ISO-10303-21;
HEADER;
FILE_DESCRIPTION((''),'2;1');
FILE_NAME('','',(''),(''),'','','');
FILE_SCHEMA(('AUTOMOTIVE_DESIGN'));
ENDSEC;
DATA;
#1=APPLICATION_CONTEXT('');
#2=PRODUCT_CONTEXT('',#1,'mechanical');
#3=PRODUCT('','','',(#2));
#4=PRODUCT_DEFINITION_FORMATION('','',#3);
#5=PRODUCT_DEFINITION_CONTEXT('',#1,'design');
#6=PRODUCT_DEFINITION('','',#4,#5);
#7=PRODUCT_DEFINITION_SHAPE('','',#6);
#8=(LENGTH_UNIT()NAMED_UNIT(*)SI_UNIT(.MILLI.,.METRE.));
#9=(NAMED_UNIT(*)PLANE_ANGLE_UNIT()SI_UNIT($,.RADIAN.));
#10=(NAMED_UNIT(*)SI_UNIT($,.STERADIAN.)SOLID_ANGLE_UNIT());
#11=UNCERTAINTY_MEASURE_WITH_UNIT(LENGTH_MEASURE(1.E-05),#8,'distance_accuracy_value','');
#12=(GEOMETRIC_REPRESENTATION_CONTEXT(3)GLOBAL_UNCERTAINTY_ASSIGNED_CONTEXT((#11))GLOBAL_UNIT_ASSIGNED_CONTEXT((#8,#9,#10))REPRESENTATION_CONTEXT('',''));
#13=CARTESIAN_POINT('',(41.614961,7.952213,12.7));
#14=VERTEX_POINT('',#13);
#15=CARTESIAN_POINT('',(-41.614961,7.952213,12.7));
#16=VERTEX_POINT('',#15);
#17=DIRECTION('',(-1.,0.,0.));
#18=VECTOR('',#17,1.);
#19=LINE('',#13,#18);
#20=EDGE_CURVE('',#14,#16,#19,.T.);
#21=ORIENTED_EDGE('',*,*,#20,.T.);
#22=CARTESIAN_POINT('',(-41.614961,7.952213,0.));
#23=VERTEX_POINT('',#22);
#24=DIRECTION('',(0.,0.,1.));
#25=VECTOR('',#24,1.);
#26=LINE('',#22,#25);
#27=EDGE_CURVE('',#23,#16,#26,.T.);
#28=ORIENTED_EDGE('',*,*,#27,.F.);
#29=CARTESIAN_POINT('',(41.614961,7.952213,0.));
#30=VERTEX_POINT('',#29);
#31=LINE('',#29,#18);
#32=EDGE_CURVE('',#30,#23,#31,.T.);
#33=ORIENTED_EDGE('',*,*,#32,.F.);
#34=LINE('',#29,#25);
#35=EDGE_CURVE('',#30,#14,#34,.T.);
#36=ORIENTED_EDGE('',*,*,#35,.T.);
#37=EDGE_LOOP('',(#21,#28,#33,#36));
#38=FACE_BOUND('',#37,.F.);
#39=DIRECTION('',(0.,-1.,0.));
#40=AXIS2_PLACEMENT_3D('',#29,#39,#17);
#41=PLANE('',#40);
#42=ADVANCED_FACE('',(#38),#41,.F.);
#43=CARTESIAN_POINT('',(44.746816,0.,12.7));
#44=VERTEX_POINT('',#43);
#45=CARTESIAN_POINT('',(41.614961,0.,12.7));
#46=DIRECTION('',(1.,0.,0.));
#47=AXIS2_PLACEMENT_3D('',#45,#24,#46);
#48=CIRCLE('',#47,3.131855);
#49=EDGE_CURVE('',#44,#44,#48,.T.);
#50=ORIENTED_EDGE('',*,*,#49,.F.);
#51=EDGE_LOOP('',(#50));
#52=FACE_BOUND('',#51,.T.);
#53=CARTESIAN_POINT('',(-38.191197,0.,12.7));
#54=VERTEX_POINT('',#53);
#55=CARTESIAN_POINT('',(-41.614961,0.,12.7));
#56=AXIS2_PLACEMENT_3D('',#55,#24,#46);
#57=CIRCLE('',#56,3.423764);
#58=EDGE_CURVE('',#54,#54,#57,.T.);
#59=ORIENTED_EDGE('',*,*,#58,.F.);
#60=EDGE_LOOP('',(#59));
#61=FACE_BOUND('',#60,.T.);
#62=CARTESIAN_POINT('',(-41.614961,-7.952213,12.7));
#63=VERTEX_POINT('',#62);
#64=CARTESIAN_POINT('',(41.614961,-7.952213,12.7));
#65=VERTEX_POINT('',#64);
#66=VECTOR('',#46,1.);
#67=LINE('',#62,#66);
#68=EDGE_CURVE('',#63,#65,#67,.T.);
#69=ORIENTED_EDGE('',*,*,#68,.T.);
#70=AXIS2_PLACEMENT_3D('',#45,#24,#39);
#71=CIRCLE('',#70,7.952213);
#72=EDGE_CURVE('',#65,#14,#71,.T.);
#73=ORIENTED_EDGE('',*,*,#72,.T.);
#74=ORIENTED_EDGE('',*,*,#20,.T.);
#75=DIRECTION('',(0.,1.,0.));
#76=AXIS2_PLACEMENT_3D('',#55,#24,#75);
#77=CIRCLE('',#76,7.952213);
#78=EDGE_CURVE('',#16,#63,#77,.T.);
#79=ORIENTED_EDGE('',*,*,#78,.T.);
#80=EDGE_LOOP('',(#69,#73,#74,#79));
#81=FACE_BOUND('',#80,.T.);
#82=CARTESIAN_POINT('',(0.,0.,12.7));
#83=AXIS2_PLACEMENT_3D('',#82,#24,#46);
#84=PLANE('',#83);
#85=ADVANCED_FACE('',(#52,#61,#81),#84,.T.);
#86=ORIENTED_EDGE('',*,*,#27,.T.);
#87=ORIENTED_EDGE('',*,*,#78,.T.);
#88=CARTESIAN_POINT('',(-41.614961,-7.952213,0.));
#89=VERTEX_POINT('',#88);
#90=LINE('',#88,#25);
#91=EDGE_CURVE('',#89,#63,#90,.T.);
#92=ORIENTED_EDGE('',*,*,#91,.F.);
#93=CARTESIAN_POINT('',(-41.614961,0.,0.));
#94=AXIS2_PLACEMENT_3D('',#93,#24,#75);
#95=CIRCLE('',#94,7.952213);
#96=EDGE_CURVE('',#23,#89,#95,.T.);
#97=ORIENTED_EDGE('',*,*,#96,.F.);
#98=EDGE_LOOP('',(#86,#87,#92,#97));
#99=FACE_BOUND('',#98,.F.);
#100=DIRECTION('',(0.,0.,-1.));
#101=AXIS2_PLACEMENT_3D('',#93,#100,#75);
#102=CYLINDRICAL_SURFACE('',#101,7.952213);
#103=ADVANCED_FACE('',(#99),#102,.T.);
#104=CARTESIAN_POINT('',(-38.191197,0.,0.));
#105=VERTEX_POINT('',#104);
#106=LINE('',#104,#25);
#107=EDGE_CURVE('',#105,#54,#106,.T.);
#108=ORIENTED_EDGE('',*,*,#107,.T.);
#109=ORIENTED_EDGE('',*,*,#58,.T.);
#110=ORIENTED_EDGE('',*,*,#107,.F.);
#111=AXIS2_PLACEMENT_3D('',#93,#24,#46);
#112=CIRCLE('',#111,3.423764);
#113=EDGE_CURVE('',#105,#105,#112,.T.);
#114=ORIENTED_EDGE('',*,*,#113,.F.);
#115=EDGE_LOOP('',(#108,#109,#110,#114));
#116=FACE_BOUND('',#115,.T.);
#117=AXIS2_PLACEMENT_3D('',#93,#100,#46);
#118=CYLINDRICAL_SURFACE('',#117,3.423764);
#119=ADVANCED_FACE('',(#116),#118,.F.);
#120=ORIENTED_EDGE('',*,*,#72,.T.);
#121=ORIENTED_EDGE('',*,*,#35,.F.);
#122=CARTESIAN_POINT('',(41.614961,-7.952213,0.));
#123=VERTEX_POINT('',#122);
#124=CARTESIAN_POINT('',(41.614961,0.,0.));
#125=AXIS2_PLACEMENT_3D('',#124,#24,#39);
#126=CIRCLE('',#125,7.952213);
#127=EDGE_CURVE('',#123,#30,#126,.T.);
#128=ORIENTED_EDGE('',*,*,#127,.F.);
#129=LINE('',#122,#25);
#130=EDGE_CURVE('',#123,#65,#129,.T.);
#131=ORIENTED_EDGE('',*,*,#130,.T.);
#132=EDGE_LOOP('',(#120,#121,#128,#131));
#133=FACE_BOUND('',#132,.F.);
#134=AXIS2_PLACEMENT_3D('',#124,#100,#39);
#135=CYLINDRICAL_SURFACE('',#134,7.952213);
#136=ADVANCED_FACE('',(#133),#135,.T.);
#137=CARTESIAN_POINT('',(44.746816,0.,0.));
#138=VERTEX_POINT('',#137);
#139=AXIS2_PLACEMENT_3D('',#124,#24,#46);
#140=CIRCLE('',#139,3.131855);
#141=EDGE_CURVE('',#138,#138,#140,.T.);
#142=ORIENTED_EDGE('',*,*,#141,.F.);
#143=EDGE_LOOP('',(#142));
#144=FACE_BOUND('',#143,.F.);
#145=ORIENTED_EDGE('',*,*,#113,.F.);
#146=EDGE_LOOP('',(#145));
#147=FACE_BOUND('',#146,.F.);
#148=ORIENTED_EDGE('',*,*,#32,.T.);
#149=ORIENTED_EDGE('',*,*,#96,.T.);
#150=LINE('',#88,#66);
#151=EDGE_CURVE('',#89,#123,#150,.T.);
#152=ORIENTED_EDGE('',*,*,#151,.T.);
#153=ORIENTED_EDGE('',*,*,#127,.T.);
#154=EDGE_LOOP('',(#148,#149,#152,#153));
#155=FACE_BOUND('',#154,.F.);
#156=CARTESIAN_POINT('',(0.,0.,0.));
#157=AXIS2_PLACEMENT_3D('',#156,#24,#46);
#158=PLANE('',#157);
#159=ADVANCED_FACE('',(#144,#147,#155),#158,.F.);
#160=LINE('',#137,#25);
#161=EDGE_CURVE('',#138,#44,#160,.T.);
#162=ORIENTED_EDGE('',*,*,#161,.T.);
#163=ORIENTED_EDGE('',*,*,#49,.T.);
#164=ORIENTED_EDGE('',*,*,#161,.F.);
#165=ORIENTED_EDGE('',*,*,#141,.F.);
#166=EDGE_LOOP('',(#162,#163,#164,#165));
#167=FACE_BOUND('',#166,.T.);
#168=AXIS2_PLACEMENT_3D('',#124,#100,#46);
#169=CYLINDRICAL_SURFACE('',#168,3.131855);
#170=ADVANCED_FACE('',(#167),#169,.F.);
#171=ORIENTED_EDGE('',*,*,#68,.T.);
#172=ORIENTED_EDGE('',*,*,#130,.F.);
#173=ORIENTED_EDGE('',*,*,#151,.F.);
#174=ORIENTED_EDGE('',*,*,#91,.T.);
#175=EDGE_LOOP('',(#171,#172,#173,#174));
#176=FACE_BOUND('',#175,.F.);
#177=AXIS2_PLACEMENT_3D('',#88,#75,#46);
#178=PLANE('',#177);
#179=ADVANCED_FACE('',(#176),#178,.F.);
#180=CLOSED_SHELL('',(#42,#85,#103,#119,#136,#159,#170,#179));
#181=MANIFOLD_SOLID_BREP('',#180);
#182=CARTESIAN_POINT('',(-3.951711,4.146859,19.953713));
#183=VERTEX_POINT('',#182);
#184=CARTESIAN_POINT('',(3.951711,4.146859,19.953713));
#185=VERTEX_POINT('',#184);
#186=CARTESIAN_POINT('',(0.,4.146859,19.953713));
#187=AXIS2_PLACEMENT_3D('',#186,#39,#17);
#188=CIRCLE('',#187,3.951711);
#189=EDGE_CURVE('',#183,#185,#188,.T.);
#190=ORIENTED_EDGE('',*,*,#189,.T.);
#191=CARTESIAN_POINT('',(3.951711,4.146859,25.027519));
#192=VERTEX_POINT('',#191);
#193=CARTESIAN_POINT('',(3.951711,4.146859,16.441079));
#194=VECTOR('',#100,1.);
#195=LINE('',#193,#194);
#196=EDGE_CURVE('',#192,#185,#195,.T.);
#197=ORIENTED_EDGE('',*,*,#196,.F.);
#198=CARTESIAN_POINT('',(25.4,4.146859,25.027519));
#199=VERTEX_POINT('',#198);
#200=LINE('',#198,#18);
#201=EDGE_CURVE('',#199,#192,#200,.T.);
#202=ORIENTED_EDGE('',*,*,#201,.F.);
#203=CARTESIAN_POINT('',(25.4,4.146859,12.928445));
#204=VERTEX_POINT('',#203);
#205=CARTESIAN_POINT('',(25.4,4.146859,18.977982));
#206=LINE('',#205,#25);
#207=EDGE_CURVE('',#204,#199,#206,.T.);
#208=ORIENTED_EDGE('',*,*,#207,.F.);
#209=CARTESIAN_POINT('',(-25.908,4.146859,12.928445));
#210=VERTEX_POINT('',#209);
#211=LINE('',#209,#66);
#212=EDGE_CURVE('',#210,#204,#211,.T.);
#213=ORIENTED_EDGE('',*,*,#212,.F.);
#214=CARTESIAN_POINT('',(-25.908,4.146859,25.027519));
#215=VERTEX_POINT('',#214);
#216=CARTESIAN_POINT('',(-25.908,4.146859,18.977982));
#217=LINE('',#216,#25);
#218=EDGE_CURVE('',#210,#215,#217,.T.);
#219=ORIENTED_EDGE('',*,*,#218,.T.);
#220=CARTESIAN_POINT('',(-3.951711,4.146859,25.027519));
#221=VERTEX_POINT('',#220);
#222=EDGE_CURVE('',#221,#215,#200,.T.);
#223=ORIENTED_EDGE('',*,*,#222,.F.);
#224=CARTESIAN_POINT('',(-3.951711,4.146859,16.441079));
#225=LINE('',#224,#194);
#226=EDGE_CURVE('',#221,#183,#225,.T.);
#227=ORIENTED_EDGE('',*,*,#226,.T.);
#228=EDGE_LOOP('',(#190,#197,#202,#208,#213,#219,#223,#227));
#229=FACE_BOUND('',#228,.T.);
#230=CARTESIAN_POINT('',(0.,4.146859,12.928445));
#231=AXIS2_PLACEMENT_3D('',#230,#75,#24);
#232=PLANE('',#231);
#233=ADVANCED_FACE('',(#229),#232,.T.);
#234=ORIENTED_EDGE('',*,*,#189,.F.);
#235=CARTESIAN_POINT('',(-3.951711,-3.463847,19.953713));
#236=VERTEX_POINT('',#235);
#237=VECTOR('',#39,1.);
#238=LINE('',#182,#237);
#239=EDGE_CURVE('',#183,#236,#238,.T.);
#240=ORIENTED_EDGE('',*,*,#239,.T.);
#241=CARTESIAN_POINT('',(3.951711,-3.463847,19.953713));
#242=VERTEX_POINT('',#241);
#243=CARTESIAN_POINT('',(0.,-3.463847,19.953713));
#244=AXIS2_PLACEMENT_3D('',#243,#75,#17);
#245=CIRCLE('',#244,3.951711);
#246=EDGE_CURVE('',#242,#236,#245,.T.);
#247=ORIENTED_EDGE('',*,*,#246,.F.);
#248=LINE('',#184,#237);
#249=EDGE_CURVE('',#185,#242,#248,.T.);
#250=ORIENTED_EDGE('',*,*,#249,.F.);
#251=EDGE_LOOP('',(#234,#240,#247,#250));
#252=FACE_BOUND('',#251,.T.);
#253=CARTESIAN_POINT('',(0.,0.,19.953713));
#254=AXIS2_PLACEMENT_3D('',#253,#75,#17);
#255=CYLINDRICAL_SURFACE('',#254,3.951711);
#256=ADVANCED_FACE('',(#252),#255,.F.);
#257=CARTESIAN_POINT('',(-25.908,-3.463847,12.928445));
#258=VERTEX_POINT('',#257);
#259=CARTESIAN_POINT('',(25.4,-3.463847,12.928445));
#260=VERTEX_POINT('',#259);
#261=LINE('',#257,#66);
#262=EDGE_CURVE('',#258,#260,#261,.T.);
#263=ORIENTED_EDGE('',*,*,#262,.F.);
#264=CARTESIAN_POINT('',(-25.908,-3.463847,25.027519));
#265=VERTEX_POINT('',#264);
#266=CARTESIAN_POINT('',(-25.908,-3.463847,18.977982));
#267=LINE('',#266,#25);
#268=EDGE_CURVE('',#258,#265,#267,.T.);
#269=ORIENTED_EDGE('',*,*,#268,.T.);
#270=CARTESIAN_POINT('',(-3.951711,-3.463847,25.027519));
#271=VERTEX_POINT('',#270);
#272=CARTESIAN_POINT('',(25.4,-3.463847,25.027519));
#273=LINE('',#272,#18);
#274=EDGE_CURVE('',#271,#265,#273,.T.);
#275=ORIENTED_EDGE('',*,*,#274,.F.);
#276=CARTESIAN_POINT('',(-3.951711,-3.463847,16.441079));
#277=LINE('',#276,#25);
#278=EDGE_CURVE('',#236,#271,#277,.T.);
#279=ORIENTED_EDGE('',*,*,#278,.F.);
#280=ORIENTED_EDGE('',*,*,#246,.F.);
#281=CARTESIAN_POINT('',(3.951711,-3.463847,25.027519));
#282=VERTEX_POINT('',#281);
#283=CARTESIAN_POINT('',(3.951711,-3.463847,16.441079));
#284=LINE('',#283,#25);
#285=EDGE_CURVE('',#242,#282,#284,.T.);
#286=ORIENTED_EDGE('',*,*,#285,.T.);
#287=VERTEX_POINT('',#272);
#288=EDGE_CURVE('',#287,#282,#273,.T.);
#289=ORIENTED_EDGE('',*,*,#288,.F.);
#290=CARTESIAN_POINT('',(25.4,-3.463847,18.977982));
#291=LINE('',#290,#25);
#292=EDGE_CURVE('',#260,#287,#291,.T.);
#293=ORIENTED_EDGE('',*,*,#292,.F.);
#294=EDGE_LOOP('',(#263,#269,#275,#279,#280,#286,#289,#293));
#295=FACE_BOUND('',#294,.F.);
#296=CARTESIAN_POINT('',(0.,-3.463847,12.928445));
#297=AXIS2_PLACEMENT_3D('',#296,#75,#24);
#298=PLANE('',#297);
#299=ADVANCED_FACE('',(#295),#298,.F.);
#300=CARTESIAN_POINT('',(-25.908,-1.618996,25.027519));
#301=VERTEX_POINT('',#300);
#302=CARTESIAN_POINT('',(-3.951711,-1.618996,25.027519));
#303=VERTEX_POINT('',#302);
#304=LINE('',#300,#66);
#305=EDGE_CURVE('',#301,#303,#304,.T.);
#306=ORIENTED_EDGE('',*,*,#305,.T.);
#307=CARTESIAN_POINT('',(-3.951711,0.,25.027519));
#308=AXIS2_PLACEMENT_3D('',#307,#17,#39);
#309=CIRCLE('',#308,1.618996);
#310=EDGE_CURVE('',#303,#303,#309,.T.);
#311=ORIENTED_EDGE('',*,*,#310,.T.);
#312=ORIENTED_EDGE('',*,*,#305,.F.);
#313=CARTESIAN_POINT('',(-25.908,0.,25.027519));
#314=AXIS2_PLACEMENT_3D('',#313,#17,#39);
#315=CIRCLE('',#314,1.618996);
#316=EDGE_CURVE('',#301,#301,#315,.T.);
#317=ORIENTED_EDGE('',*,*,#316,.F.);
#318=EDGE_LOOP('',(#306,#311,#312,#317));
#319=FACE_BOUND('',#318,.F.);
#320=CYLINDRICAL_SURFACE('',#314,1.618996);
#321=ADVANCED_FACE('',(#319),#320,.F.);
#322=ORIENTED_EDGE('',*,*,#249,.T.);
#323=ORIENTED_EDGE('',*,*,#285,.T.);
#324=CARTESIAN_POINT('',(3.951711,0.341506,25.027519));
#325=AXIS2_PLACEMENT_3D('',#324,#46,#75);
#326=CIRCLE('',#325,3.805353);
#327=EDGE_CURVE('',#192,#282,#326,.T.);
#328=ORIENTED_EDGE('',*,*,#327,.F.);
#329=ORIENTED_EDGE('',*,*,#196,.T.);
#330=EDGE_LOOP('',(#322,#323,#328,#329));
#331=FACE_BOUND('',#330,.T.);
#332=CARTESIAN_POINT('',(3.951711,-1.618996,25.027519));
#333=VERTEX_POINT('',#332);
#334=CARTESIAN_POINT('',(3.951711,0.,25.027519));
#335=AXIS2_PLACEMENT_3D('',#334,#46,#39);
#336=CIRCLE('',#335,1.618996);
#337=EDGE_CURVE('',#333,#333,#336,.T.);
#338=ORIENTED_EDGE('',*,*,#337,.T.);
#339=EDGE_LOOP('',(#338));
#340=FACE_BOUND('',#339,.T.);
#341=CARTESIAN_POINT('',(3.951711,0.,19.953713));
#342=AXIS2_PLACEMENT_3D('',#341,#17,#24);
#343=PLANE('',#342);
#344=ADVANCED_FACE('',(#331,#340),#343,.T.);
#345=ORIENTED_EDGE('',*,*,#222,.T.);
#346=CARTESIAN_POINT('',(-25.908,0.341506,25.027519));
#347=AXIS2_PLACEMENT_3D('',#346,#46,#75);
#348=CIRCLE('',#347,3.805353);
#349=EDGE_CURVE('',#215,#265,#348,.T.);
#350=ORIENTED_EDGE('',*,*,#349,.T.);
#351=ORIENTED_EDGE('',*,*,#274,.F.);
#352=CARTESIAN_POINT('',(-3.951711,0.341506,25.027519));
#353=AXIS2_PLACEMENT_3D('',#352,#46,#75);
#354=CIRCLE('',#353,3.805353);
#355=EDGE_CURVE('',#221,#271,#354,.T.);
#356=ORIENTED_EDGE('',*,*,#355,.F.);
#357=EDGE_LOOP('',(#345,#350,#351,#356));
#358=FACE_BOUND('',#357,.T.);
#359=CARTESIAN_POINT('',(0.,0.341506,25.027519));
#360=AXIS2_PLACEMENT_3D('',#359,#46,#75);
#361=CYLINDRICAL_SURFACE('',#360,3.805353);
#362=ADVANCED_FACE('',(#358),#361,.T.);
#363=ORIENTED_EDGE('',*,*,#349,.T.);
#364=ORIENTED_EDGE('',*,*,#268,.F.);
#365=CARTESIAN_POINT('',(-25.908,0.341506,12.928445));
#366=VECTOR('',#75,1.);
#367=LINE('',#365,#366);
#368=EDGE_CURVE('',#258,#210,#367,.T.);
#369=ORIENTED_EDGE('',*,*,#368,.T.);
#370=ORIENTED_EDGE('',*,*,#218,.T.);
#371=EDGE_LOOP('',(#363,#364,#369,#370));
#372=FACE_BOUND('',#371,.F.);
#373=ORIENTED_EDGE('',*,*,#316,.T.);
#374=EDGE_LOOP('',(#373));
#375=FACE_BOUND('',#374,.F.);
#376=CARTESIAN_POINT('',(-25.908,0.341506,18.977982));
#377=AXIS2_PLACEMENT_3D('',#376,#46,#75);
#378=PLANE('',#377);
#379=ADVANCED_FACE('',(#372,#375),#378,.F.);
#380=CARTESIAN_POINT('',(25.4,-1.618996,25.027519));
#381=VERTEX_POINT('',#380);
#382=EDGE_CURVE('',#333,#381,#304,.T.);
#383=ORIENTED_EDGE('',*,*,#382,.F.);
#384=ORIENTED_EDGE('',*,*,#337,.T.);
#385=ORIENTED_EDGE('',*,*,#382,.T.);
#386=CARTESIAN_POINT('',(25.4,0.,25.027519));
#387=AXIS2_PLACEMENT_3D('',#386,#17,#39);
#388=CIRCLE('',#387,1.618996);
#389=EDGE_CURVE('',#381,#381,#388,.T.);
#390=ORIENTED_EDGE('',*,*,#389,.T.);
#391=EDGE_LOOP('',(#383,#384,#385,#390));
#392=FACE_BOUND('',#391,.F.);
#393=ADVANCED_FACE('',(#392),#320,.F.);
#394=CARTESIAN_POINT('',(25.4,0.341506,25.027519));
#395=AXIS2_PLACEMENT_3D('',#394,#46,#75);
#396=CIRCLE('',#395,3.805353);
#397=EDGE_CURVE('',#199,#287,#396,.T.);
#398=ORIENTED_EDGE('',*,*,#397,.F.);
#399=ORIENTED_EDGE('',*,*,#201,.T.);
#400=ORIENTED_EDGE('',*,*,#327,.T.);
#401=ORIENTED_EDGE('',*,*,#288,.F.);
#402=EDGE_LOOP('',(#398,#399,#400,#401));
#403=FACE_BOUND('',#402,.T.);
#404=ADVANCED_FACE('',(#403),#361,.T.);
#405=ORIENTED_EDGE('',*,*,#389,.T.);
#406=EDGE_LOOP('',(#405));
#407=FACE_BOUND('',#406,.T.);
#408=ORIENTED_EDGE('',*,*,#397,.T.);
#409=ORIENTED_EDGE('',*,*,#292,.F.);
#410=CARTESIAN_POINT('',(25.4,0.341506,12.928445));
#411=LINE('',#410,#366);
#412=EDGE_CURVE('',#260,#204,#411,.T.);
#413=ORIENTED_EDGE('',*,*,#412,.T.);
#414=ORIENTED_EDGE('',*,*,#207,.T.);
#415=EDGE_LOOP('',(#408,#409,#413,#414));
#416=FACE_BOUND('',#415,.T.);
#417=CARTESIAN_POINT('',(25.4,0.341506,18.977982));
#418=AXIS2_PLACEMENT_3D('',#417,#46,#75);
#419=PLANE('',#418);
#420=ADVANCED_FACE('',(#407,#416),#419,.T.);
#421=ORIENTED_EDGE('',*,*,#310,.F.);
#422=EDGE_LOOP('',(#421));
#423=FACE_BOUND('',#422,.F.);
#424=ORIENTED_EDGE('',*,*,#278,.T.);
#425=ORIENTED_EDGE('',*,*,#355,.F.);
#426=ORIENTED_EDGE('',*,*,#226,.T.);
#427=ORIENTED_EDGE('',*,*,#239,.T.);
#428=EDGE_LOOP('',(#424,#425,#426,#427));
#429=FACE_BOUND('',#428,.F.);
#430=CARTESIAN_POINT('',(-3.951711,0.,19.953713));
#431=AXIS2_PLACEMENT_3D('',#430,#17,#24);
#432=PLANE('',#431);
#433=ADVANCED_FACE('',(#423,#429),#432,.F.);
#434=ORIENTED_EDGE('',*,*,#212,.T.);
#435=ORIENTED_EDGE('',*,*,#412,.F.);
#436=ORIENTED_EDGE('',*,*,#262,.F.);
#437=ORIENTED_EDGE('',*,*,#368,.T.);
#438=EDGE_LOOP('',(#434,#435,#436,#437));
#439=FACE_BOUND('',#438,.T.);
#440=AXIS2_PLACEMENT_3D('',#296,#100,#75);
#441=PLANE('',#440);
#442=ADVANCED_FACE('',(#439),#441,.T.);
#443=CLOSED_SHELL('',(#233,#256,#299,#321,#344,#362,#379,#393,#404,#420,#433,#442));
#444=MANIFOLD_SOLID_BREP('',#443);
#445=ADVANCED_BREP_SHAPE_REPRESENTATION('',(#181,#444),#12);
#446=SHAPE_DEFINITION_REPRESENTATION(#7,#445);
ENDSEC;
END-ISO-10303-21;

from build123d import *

# Parameters (mm, degrees)
F0_R     = 3.423764
F0_R_2   = 3.131855
F1_DEPTH = 12.7
F2_W     = 7.610706
F2_H     = 12.099074
F3_DEPTH = 25.4
F4_DEPTH = 25.908
F5_R     = 1.618996
F6_DEPTH = 55.88
F7_W     = 7.903422
F7_H     = 22.246681
F8_DEPTH = 25.4
F9_DEPTH = 20.828


with BuildPart() as f1:
    # F0 (on Top) → F1 (new body)
    with BuildSketch(Plane.XY):
        with BuildLine():
            Line((-41.614961, -7.952213), (41.614961, -7.952213))
            ThreePointArc((41.614961, -7.952213), (49.567174, 0), (41.614961, 7.952213))
            Line((41.614961, 7.952213), (-41.614961, 7.952213))
            ThreePointArc((-41.614961, 7.952213), (-49.567174, 0), (-41.614961, -7.952213))
        make_face()
        with Locations((-41.614961, 0)):
            Circle(F0_R, mode=Mode.SUBTRACT)
        with Locations((41.614961, 0)):
            Circle(F0_R_2, mode=Mode.SUBTRACT)
    extrude(amount=F1_DEPTH)


with BuildPart() as f3:
    # F2 (on Right) → F3 (new body)
    with BuildSketch(Plane.YZ):
        with Locations((0.341506, 18.977982)):
            Rectangle(F2_W, F2_H)
        with BuildLine():
            ThreePointArc((4.146859, 25.027519), (0.341506, 28.832872), (-3.463847, 25.027519))
            Line((-3.463847, 25.027519), (4.146859, 25.027519))
        make_face()
    extrude(amount=F3_DEPTH)

    # F2 (on Right) → F4 (join)
    with BuildSketch(Plane.YZ):
        with Locations((0.341506, 18.977982)):
            Rectangle(F2_W, F2_H)
        with BuildLine():
            ThreePointArc((4.146859, 25.027519), (0.341506, 28.832872), (-3.463847, 25.027519))
            Line((-3.463847, 25.027519), (4.146859, 25.027519))
        make_face()
    extrude(amount=-F4_DEPTH)

    # F5 (on face) → F6 (cut)
    with BuildSketch(Plane(origin=(-25.908, 0, 0), x_dir=(0, -1, 0), z_dir=(-1, 0, 0))):
        with Locations((0, 25.027519)):
            Circle(F5_R)
    extrude(amount=-F6_DEPTH, mode=Mode.SUBTRACT)

    # F7 (on Front) → F8 (cut)
    with BuildSketch(Plane.XZ):
        with BuildLine():
            ThreePointArc((-3.951711, 19.953713), (0, 16.002002), (3.951711, 19.953713))
            Line((3.951711, 19.953713), (-3.951711, 19.953713))
        make_face()
        with Locations((0, 31.077053)):
            Rectangle(F7_W, F7_H)
    extrude(amount=-F8_DEPTH, mode=Mode.SUBTRACT)

    # F7 (on Front) → F9 (cut)
    with BuildSketch(Plane.XZ):
        with BuildLine():
            ThreePointArc((-3.951711, 19.953713), (0, 16.002002), (3.951711, 19.953713))
            Line((3.951711, 19.953713), (-3.951711, 19.953713))
        make_face()
        with Locations((0, 31.077053)):
            Rectangle(F7_W, F7_H)
    extrude(amount=F9_DEPTH, mode=Mode.SUBTRACT)


solid = Compound([f1.part, f3.part])
